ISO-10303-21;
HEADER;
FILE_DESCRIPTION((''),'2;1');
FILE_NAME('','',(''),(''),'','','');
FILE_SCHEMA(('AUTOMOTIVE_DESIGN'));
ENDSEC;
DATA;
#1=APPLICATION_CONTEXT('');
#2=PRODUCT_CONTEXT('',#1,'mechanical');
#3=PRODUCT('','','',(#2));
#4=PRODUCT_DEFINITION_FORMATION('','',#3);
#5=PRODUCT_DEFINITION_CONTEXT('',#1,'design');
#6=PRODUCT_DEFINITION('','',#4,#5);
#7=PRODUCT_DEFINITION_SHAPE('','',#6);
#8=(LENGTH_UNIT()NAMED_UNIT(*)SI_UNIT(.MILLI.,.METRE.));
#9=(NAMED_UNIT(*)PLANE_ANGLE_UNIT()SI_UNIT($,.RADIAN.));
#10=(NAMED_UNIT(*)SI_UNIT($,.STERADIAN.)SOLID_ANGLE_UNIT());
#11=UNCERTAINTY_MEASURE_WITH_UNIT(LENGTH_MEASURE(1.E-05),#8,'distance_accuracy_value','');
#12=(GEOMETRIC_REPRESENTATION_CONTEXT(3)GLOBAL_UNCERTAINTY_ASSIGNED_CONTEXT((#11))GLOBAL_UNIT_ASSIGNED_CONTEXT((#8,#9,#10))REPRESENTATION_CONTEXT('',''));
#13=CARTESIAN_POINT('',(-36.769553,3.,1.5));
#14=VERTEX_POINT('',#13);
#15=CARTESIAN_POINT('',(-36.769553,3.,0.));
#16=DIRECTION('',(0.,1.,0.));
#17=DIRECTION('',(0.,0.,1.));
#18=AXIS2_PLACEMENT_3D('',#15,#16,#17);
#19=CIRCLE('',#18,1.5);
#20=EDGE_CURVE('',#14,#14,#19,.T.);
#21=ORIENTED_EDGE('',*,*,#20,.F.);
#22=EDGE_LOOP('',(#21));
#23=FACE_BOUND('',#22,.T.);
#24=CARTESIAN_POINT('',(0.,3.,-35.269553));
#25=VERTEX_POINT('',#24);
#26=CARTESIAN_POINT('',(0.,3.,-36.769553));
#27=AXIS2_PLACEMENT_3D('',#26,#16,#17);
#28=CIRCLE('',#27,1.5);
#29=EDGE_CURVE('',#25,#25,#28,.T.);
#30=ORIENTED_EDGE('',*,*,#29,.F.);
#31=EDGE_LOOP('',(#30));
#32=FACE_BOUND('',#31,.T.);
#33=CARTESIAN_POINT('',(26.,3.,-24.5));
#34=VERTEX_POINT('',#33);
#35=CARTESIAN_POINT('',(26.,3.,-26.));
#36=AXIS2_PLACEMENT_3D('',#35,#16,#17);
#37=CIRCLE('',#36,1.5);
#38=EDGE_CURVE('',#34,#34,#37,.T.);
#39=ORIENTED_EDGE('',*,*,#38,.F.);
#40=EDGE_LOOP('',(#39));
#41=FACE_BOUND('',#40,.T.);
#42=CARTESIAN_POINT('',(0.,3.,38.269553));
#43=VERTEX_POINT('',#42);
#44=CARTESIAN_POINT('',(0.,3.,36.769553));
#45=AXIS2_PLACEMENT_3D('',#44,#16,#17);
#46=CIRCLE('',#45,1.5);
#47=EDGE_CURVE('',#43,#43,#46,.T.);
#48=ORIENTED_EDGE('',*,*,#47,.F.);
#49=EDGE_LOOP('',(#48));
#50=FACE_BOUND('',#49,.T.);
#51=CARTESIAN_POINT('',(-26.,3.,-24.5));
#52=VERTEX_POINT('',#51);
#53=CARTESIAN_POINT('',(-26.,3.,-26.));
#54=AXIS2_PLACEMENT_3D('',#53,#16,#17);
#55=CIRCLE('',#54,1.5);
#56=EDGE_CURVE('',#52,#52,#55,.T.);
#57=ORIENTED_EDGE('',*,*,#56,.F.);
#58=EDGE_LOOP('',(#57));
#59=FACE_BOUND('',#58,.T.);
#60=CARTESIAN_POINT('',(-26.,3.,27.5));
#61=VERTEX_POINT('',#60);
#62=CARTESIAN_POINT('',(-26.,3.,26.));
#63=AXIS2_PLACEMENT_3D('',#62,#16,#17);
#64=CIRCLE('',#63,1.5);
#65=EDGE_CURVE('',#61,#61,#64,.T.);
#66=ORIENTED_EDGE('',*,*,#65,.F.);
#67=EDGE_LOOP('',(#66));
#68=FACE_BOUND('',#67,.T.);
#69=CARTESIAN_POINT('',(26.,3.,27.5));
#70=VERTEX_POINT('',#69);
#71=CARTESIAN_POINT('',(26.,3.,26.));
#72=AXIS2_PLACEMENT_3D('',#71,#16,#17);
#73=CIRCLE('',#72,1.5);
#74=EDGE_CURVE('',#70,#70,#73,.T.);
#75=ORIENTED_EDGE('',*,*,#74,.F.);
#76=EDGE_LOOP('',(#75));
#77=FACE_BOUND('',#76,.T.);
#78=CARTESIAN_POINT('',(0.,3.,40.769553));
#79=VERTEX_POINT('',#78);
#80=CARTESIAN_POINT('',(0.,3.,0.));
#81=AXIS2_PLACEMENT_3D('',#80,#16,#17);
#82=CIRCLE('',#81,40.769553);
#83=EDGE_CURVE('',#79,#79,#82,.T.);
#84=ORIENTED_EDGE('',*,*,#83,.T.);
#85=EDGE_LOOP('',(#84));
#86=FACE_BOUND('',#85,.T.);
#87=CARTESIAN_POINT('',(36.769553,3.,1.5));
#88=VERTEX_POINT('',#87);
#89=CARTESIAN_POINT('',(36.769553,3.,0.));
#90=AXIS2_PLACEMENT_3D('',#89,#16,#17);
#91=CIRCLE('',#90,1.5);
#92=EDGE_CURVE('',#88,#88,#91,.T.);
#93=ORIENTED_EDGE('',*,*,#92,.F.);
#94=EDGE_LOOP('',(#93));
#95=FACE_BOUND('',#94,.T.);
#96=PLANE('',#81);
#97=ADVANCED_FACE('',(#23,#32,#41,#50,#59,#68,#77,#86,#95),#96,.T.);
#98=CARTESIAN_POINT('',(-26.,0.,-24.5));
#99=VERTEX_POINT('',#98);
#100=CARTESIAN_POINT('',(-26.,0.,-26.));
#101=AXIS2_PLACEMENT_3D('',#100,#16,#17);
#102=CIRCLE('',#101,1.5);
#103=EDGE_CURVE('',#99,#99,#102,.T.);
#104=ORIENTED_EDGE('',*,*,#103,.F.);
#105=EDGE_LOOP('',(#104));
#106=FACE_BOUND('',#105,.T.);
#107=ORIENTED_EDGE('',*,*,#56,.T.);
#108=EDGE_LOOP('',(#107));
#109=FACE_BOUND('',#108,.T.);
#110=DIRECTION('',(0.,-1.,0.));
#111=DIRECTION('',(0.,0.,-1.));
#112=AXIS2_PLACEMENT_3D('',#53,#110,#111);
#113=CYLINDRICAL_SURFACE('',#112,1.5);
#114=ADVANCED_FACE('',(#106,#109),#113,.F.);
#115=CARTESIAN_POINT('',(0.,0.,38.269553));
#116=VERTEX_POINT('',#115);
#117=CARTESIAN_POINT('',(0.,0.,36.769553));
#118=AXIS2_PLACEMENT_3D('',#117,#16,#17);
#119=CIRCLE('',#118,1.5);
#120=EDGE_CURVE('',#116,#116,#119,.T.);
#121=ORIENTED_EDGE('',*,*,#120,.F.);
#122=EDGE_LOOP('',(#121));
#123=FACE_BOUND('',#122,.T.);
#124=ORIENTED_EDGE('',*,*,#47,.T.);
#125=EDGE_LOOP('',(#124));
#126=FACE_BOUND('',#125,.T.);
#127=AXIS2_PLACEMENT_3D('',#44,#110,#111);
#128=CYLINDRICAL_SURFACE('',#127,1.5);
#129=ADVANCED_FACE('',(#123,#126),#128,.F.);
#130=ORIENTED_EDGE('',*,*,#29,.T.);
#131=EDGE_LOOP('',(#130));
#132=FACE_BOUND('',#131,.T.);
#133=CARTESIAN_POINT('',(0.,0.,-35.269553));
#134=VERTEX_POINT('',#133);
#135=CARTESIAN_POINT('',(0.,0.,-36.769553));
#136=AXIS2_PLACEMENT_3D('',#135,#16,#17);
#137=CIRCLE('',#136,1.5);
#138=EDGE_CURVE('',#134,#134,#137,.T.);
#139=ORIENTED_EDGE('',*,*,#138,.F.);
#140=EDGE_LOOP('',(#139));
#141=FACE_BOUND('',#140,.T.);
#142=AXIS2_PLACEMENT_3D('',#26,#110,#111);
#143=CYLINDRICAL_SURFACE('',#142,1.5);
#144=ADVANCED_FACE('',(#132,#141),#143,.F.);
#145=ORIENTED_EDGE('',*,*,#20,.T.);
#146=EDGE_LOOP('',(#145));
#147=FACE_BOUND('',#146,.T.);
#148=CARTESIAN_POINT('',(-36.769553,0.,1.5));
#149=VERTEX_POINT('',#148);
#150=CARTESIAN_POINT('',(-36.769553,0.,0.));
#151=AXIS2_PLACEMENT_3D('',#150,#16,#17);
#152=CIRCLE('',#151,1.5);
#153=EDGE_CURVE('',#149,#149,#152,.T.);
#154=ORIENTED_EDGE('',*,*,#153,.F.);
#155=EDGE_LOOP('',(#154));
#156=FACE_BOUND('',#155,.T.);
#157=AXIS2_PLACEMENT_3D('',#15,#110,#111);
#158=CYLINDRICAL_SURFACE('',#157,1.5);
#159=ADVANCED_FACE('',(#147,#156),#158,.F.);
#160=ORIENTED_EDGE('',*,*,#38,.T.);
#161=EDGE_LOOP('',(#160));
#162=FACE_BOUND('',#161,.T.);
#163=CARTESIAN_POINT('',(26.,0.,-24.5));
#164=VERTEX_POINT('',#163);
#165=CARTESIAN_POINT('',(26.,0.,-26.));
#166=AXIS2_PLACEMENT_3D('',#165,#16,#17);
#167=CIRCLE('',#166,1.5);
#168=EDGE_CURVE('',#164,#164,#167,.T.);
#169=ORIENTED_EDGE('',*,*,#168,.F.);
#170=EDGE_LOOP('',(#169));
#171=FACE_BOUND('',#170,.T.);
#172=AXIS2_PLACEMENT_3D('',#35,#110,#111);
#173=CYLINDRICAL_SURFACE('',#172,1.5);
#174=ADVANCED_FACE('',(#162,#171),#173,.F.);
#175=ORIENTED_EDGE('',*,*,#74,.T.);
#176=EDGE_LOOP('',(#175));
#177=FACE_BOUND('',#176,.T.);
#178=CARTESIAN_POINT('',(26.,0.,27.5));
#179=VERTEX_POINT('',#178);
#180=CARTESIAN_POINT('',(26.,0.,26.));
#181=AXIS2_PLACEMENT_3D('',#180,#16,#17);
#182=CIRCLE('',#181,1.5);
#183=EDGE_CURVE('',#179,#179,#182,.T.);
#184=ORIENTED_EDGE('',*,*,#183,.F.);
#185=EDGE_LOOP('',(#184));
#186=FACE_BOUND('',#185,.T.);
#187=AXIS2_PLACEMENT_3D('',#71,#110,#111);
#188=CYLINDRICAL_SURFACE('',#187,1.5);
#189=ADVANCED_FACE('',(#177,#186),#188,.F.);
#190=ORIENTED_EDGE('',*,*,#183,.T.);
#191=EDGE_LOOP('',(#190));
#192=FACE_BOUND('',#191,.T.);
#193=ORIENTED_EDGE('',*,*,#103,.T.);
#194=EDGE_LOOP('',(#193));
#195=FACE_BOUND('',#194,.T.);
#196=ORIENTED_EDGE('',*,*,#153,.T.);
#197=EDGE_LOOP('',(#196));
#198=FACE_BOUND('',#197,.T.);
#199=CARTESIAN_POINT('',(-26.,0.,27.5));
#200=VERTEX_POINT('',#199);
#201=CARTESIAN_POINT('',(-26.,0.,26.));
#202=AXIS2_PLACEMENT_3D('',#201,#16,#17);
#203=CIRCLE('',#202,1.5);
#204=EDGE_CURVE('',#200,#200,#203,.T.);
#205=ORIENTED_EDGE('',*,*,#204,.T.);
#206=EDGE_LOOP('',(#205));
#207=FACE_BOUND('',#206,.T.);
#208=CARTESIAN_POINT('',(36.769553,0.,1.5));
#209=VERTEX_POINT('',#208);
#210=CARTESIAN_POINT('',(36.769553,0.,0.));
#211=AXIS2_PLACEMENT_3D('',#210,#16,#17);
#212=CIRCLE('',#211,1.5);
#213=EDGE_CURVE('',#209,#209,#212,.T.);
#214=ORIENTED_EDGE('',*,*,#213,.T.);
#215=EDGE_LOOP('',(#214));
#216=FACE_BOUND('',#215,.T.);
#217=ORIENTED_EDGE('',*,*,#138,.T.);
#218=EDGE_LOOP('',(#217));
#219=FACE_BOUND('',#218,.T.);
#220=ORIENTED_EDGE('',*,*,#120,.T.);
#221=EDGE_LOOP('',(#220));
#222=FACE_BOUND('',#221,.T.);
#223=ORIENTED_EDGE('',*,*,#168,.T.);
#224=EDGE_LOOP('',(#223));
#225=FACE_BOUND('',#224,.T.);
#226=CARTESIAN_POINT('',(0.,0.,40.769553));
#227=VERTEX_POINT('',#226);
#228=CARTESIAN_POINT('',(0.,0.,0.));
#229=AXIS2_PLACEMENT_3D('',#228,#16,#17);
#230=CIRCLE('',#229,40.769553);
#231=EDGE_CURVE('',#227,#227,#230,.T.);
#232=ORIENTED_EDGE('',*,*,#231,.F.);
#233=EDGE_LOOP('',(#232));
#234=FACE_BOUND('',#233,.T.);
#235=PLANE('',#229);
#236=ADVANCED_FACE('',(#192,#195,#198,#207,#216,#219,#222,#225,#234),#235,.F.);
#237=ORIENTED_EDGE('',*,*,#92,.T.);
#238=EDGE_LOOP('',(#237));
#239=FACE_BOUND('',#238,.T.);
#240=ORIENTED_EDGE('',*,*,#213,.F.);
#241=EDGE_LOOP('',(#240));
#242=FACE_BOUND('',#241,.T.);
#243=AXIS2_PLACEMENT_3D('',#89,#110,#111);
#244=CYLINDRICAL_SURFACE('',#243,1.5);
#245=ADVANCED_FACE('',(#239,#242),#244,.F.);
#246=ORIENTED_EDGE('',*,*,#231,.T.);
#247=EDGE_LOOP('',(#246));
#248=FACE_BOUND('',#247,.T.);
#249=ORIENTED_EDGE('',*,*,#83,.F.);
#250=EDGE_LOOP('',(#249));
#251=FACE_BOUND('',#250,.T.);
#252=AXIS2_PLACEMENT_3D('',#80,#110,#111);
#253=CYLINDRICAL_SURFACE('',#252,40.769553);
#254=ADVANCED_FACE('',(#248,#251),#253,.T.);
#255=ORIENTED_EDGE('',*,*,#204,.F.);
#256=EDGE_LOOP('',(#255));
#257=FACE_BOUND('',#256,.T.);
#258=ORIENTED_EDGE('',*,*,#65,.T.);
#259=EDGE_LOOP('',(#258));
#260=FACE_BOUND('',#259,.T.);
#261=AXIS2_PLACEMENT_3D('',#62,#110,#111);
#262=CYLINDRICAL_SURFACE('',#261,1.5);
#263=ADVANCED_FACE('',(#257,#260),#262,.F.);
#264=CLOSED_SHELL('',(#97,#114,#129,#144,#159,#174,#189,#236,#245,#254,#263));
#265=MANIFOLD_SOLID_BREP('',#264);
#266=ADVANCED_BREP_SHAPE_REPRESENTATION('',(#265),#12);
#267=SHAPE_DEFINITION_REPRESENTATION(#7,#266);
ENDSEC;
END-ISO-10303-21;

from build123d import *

# Parameters (mm, degrees)
SKETCH_1_R      = 40.769552622
SKETCH_1_R_2    = 1.5
EXTRUDE_1_DEPTH = 3


with BuildPart() as part:
    # 草图1 → 凸台-拉伸1 (new body)
    with BuildSketch(Plane(origin=(0, 0, 0), x_dir=(1, 0, 0), z_dir=(0, 1, 0))):
        with Locations(Location((0, 0, 0), (0, 0, 270))):
            Circle(SKETCH_1_R)
        with Locations(Location((-26, 26, 0), (0, 0, 270))):
            Circle(SKETCH_1_R_2, mode=Mode.SUBTRACT)
        with Locations(Location((26, 26, 0), (0, 0, 270))):
            Circle(SKETCH_1_R_2, mode=Mode.SUBTRACT)
        with Locations(Location((26, -26, 0), (0, 0, 270))):
            Circle(SKETCH_1_R_2, mode=Mode.SUBTRACT)
        with Locations(Location((-26, -26, 0), (0, 0, 270))):
            Circle(SKETCH_1_R_2, mode=Mode.SUBTRACT)
        with Locations(Location((0, 36.769552622, 0), (0, 0, 270))):
            Circle(SKETCH_1_R_2, mode=Mode.SUBTRACT)
        with Locations(Location((36.769552622, 0, 0), (0, 0, 270))):
            Circle(SKETCH_1_R_2, mode=Mode.SUBTRACT)
        with Locations(Location((0, -36.769552622, 0), (0, 0, 270))):
            Circle(SKETCH_1_R_2, mode=Mode.SUBTRACT)
        with Locations(Location((-36.769552622, 0, 0), (0, 0, 270))):
            Circle(SKETCH_1_R_2, mode=Mode.SUBTRACT)
    extrude(amount=EXTRUDE_1_DEPTH)


solid = part.part
